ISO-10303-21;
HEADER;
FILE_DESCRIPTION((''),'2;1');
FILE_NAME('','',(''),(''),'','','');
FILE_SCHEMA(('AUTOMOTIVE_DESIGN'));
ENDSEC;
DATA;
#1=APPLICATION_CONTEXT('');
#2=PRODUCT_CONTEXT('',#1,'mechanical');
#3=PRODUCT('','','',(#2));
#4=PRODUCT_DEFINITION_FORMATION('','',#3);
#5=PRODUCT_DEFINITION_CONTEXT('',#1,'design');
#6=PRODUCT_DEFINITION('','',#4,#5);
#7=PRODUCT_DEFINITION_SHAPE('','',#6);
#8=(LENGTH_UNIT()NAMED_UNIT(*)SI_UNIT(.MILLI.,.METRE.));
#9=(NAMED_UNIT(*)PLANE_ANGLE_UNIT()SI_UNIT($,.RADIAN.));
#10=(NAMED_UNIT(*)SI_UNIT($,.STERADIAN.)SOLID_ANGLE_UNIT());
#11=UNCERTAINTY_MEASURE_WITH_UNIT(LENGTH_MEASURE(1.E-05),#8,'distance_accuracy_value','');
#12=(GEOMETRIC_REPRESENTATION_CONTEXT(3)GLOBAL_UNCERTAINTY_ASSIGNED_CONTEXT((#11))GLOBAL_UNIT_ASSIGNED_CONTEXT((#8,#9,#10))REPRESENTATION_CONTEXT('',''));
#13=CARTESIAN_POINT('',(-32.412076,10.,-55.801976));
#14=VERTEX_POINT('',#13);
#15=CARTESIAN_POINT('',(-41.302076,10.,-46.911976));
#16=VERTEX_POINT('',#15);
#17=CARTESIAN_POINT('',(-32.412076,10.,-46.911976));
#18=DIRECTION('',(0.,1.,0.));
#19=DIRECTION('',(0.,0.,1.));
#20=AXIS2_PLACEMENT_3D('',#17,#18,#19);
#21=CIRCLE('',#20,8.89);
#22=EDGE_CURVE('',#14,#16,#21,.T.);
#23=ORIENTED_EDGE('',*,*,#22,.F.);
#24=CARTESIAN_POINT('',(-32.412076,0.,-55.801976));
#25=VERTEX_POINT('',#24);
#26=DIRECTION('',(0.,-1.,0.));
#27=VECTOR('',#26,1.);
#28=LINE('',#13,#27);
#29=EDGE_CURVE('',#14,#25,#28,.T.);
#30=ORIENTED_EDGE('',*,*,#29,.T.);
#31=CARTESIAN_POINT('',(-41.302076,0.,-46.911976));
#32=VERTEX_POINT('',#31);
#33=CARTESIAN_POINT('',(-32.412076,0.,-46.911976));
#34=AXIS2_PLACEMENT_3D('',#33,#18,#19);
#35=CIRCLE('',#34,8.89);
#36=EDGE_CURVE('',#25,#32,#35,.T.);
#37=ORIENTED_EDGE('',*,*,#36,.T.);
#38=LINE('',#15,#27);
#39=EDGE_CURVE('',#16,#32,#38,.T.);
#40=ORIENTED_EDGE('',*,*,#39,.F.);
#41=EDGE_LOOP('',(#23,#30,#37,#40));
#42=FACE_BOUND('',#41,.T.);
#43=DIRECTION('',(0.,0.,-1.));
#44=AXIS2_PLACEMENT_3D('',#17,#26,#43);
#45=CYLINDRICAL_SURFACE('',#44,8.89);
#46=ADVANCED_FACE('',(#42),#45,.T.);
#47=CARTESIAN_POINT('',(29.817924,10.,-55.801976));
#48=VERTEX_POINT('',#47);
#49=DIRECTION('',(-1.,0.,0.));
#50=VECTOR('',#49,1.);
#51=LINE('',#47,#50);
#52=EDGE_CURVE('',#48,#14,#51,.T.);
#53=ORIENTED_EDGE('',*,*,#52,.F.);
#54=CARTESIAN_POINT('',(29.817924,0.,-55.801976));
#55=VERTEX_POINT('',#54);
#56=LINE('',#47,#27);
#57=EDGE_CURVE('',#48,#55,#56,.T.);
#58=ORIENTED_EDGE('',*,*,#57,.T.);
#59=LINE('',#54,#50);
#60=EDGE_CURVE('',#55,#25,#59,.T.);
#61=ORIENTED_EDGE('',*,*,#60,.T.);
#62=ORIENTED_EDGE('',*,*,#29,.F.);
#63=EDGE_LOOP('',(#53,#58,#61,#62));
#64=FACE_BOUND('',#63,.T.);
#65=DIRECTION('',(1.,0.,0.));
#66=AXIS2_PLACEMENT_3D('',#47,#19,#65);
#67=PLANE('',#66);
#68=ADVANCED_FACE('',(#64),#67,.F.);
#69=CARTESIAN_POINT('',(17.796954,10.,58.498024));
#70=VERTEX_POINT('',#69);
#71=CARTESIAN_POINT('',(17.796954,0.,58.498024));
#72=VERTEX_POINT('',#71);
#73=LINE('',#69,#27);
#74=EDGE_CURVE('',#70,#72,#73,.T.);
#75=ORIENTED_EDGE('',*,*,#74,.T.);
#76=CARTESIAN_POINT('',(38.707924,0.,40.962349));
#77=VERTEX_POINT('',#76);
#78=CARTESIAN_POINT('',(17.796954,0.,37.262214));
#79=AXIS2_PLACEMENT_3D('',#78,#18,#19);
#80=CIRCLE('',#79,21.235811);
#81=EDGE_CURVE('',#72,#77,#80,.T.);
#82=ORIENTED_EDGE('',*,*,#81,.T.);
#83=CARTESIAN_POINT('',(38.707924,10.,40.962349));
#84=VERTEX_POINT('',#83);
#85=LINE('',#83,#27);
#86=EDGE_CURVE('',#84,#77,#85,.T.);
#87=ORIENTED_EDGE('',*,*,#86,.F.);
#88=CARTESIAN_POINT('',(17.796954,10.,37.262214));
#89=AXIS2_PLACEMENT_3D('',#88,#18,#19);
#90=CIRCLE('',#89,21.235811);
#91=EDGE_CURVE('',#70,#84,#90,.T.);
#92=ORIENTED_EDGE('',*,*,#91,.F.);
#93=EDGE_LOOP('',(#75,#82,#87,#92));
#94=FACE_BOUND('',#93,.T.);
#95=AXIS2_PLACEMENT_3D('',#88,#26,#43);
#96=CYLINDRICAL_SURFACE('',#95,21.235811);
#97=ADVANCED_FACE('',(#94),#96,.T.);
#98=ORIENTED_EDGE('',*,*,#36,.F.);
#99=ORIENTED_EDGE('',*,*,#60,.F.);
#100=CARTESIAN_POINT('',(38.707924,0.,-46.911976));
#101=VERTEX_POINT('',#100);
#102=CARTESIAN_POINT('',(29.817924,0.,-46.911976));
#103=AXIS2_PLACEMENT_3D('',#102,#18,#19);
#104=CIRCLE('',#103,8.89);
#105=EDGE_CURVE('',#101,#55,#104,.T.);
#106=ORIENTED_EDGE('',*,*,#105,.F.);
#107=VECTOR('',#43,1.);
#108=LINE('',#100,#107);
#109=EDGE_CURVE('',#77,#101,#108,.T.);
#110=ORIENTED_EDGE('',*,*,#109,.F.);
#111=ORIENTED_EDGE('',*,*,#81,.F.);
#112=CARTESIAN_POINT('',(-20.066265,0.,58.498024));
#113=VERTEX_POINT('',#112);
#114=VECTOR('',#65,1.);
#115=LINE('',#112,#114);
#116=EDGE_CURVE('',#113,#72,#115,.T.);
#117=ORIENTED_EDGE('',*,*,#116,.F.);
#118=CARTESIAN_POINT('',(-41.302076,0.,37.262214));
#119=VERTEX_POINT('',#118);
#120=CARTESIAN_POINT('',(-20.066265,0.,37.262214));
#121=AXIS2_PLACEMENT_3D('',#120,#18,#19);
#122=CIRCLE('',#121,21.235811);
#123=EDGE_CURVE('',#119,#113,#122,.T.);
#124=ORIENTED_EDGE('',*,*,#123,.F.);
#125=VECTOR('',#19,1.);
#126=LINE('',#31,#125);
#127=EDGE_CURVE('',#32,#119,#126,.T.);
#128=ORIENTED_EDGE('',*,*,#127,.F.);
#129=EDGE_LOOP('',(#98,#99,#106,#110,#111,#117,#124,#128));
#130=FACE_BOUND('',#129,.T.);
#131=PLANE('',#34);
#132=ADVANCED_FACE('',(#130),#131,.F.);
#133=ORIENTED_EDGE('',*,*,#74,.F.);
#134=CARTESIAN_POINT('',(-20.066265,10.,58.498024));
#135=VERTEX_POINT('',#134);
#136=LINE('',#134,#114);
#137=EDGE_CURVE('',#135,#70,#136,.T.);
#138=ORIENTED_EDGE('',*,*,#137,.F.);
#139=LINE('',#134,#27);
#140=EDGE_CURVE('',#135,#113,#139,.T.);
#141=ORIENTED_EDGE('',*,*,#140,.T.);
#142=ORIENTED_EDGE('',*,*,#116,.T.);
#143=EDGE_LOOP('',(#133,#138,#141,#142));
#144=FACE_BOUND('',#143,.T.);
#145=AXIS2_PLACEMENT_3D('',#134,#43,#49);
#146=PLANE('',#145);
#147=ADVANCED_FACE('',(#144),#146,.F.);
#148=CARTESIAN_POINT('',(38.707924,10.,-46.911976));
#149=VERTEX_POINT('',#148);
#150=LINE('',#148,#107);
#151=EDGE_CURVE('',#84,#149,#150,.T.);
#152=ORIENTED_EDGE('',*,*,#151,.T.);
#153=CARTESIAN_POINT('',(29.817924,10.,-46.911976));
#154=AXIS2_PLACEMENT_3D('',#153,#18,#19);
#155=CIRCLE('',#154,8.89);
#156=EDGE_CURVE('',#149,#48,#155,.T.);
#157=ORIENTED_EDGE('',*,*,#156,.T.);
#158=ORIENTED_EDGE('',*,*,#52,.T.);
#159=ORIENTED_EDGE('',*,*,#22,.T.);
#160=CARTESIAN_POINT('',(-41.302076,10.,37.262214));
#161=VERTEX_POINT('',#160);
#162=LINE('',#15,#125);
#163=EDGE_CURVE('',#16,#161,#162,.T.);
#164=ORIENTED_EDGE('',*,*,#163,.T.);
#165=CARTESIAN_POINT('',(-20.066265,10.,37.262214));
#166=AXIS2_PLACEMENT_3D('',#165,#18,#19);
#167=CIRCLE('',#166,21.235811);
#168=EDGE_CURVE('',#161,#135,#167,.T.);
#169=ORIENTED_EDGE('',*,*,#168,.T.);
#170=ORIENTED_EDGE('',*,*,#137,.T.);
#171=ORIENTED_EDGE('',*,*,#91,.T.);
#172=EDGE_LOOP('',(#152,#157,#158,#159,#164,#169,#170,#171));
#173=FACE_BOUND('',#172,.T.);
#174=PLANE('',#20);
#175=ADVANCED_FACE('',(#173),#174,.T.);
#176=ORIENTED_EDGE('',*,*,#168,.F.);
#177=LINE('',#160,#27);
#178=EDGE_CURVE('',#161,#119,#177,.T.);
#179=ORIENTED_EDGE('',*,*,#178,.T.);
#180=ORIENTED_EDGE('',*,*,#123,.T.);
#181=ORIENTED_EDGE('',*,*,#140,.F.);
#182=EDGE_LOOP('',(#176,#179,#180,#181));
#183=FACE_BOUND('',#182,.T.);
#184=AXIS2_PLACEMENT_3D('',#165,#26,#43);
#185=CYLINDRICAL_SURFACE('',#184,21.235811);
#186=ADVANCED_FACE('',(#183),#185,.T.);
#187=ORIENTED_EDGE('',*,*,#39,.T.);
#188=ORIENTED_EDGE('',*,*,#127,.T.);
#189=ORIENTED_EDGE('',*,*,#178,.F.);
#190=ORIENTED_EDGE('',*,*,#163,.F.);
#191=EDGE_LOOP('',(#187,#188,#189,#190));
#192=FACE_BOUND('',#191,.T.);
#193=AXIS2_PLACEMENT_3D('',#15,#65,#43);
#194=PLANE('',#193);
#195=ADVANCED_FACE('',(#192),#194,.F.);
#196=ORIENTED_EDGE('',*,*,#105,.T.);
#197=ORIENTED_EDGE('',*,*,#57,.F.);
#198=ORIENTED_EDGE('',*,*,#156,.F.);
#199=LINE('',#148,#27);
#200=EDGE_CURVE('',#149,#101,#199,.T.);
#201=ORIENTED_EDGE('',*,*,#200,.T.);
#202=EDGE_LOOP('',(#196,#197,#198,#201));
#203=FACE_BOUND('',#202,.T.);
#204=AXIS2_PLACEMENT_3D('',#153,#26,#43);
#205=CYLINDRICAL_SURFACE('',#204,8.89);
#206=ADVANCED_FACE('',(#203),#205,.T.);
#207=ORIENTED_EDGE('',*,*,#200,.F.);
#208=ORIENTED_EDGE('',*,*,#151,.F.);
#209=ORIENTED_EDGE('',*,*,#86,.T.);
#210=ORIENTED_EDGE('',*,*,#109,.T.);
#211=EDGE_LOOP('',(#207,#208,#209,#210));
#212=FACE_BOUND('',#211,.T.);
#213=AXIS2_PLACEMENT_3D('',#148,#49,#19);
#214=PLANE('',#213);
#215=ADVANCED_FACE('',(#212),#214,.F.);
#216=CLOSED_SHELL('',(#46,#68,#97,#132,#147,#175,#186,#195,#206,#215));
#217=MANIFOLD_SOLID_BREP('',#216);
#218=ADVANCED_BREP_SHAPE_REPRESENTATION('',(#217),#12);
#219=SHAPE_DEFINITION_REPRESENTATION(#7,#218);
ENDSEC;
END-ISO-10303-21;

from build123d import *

# Parameters (mm, degrees)
BOSS_EXTRUDE6_DEPTH = 10


with BuildPart() as part:
    # Sketch5 → Boss-Extrude6 (new body)
    with BuildSketch(Plane(origin=(0, 0, 0), x_dir=(1, 0, 0), z_dir=(0, 1, 0))):
        with BuildLine():
            Line((-41.302076053, 46.911975672), (-41.302076053, -37.26221373))
            ThreePointArc((-41.302076053, -37.26221373), (-35.082251132, -52.278199408), (-20.066265455, -58.498024328))
            Line((-20.066265455, -58.498024328), (17.796954386, -58.498024328))
            ThreePointArc((17.796954386, -58.498024328), (31.442178314, -53.533892062), (38.707923947, -40.962349372))
            Line((38.707923947, -40.962349372), (38.707923947, 46.911975672))
            ThreePointArc((38.707923947, 46.911975672), (36.104103232, 53.198154956), (29.817923947, 55.801975672))
            Line((29.817923947, 55.801975672), (-32.412076053, 55.801975672))
            ThreePointArc((-32.412076053, 55.801975672), (-38.698255337, 53.198154956), (-41.302076053, 46.911975672))
        make_face()
    extrude(amount=BOSS_EXTRUDE6_DEPTH)


solid = part.part
